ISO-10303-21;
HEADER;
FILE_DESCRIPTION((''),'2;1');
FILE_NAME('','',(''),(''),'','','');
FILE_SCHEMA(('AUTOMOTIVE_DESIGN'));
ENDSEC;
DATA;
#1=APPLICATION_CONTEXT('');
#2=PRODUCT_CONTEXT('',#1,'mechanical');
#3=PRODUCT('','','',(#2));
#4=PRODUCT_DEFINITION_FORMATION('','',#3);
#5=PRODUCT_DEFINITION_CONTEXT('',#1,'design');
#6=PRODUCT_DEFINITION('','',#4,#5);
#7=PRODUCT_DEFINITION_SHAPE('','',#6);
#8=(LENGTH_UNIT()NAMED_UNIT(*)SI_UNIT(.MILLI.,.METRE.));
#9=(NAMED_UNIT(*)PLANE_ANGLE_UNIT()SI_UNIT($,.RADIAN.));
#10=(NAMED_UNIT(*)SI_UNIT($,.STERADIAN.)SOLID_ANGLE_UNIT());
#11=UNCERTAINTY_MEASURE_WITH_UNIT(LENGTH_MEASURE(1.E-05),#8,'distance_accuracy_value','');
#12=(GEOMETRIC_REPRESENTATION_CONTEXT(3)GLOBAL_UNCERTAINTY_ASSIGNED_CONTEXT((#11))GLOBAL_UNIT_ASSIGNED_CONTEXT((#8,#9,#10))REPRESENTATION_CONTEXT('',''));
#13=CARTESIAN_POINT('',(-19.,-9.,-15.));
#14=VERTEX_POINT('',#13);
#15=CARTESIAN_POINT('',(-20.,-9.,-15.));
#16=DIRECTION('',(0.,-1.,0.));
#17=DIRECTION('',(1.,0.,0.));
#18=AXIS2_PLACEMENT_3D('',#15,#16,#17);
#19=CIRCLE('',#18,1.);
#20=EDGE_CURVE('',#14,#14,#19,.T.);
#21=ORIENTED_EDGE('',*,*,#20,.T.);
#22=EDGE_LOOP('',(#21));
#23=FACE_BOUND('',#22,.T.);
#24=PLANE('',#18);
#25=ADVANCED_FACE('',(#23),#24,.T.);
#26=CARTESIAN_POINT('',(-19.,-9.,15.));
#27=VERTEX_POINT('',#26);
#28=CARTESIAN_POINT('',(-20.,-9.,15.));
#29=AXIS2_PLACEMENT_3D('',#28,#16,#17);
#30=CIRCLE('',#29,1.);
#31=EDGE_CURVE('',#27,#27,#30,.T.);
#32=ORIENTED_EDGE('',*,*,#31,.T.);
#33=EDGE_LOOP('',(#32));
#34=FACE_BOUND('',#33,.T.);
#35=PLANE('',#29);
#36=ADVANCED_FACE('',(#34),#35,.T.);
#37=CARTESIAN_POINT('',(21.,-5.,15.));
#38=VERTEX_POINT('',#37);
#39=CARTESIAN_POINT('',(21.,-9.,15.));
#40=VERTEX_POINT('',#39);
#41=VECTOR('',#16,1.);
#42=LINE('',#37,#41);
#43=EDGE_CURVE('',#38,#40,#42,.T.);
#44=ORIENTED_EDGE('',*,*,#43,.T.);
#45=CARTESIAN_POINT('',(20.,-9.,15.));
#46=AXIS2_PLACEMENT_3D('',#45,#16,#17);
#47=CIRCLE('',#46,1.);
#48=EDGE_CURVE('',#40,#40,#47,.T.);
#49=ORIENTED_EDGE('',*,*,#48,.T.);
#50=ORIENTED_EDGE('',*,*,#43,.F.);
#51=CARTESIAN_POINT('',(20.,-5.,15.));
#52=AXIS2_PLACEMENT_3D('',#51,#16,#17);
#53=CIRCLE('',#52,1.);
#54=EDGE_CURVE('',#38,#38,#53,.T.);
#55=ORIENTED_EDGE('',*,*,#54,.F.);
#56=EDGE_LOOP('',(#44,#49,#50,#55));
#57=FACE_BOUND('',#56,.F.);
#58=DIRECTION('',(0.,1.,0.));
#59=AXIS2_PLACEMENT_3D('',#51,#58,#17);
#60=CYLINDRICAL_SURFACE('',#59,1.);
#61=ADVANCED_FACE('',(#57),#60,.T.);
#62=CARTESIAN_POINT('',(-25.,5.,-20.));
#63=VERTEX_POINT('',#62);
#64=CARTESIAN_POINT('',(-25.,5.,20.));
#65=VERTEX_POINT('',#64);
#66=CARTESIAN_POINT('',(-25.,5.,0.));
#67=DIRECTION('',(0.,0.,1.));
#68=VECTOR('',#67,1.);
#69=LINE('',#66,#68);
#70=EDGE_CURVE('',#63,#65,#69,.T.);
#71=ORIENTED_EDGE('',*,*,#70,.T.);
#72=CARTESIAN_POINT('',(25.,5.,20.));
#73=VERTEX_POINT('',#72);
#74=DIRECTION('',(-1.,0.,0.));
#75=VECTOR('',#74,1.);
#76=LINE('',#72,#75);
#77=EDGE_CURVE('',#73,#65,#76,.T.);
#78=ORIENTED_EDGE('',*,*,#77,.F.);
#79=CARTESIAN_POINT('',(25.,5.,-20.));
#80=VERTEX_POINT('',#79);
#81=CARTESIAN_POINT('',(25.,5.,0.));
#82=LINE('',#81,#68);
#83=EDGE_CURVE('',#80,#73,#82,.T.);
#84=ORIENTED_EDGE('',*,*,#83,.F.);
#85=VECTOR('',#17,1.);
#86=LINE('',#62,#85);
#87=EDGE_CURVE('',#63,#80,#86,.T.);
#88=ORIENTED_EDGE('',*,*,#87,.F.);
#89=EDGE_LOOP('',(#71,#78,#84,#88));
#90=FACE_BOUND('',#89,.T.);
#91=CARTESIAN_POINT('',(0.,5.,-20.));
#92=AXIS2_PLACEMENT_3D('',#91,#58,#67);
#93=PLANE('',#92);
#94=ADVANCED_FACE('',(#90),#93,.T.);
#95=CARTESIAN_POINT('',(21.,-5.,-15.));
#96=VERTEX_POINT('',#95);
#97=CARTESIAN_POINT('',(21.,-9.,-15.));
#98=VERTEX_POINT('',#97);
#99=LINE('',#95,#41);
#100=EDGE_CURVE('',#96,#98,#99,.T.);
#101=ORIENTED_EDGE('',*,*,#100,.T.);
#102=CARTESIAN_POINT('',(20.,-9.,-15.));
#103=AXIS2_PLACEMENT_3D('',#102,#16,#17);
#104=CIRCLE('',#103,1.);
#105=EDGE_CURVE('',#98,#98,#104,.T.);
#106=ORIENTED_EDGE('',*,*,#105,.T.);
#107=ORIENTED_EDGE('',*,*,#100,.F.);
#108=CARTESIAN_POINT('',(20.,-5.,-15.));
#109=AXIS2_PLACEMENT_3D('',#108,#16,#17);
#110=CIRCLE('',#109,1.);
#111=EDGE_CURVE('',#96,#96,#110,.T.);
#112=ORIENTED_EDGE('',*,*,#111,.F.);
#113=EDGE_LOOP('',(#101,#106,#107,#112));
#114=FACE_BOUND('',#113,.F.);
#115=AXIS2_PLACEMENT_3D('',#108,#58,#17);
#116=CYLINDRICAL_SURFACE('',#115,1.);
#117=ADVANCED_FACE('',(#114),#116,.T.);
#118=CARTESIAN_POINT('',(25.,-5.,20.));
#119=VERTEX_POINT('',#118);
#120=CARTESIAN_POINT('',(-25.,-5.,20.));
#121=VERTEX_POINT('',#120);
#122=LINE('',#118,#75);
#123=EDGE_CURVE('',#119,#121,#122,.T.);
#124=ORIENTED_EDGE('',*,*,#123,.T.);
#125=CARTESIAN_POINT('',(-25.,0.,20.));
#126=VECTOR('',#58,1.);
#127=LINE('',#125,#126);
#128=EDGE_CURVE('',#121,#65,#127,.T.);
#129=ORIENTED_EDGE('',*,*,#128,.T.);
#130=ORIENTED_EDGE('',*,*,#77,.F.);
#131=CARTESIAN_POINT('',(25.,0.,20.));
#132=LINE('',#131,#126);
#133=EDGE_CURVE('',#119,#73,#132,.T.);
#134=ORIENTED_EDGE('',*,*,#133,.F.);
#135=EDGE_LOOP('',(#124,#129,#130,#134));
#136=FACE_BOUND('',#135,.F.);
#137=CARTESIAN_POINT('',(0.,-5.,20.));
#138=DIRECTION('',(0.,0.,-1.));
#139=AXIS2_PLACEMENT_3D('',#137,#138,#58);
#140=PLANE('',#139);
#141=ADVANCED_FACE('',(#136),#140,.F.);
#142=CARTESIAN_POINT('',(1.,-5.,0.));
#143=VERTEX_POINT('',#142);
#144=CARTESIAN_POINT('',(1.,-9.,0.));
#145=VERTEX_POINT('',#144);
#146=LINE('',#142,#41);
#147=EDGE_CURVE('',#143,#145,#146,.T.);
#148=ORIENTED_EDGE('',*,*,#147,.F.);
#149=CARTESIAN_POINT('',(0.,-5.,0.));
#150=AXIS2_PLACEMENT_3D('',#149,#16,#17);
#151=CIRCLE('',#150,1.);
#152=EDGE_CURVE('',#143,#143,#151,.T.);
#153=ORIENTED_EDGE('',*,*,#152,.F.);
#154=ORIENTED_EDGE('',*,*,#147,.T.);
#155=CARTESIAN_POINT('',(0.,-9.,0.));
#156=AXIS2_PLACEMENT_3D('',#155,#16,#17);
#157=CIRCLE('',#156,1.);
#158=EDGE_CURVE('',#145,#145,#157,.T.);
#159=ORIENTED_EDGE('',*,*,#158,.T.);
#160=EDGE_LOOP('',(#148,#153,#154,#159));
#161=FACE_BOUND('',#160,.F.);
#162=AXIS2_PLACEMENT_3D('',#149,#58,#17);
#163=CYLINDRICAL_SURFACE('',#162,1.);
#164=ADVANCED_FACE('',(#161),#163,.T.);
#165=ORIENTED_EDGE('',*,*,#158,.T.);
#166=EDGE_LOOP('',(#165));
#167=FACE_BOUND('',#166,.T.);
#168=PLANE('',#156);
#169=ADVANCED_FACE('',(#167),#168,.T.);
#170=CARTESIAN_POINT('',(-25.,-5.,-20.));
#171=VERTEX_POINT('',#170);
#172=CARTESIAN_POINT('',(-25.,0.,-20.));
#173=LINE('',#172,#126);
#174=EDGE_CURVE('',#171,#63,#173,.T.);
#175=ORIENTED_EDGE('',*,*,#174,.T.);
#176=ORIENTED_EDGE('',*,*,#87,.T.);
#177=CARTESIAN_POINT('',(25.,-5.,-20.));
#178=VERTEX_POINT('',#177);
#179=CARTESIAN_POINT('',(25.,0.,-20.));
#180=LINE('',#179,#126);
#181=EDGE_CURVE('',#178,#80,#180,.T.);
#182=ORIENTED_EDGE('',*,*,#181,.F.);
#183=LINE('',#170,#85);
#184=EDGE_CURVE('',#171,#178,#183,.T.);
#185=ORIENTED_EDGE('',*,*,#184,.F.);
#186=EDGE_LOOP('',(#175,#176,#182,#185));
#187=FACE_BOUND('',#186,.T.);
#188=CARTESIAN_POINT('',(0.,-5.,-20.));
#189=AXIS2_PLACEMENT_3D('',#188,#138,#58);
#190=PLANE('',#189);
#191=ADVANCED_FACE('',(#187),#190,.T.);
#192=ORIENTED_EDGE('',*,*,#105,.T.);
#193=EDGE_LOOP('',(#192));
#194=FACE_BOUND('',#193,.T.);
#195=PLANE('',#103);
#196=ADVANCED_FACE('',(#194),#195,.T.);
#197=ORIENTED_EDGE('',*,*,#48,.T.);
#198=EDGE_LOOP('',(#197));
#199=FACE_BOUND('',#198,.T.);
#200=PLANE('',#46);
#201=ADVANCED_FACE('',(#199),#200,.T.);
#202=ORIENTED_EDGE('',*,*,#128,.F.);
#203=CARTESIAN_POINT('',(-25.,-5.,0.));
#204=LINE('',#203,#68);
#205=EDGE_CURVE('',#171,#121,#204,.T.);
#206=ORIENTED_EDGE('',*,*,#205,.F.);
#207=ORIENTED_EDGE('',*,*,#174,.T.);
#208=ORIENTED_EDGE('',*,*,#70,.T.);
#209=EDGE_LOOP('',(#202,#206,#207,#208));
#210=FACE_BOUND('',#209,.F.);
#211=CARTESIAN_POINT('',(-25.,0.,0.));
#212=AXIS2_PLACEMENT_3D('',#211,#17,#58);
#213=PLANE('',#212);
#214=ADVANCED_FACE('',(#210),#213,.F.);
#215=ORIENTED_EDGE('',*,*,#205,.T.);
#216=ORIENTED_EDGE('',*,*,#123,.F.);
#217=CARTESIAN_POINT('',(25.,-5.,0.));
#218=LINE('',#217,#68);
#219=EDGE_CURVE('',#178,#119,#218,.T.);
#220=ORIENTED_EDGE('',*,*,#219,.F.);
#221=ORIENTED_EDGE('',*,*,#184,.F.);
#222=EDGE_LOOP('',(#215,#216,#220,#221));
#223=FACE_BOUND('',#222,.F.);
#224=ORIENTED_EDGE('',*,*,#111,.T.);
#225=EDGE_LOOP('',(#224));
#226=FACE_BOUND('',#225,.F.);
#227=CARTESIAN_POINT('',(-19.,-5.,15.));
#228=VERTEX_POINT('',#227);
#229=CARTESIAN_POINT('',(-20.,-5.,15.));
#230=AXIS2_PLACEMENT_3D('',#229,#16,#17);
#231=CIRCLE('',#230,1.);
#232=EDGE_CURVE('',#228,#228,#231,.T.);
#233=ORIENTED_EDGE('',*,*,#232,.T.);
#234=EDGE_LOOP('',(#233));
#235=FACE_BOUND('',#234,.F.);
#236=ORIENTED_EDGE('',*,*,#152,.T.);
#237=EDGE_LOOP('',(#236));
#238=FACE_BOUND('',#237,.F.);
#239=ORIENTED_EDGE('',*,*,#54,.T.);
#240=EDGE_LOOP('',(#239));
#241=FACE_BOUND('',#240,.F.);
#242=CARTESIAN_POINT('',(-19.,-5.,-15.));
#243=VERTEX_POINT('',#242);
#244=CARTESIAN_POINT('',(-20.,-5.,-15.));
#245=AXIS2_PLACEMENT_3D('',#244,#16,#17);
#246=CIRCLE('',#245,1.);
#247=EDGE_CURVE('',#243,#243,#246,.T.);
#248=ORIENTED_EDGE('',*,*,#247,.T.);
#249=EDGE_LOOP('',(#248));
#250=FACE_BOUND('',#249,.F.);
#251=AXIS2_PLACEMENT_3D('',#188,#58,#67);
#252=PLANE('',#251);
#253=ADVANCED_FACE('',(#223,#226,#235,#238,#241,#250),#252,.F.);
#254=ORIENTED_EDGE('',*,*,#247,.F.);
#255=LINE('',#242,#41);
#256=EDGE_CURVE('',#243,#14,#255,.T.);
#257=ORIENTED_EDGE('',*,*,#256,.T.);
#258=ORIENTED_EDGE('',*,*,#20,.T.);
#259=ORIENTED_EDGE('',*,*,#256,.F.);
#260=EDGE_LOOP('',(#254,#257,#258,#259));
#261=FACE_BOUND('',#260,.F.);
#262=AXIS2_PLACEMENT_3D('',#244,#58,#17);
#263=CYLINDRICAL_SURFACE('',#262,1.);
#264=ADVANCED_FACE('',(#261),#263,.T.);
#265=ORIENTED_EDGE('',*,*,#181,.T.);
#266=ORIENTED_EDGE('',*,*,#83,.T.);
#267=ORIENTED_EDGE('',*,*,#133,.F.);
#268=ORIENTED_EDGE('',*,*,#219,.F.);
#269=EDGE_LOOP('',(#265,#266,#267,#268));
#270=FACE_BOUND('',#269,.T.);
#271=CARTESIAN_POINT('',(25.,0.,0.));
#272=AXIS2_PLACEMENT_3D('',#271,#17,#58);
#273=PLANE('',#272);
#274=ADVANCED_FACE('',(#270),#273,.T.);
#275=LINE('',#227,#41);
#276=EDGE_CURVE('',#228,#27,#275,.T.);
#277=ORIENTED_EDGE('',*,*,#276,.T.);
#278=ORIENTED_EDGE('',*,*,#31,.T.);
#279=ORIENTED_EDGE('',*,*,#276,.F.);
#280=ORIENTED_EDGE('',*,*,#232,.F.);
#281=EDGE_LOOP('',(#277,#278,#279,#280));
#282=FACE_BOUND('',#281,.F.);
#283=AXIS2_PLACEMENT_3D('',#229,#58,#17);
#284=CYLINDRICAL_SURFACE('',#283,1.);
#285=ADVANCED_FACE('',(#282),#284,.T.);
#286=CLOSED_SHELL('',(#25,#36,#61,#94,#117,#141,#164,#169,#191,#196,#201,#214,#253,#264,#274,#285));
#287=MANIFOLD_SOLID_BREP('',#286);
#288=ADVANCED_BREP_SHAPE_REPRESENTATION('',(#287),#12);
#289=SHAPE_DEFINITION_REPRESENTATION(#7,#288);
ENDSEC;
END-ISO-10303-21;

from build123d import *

# Parameters (mm, degrees)
F0_W          = 10
F0_H          = 40
F1_DEPTH      = 25
F1_DEPTH_BACK = 25
F2_R          = 1
F3_DEPTH      = 4


with BuildPart() as f1:
    # F0 (on Right) → F1 (new body, two sides)
    with BuildSketch(Plane.YZ) as f1_sk:
        Rectangle(F0_W, F0_H)
    extrude(amount=F1_DEPTH)
    extrude(f1_sk.sketch, amount=-F1_DEPTH_BACK)

    # F2 (on face) → F3 (join)
    with BuildSketch(Plane.XZ.offset(5)):
        Circle(F2_R)
        with Locations((-20, 15)):
            Circle(F2_R)
        with Locations((-20, -15)):
            Circle(F2_R)
        with Locations((20, -15)):
            Circle(F2_R)
        with Locations((20, 15)):
            Circle(F2_R)
    extrude(amount=F3_DEPTH)


solid = f1.part
